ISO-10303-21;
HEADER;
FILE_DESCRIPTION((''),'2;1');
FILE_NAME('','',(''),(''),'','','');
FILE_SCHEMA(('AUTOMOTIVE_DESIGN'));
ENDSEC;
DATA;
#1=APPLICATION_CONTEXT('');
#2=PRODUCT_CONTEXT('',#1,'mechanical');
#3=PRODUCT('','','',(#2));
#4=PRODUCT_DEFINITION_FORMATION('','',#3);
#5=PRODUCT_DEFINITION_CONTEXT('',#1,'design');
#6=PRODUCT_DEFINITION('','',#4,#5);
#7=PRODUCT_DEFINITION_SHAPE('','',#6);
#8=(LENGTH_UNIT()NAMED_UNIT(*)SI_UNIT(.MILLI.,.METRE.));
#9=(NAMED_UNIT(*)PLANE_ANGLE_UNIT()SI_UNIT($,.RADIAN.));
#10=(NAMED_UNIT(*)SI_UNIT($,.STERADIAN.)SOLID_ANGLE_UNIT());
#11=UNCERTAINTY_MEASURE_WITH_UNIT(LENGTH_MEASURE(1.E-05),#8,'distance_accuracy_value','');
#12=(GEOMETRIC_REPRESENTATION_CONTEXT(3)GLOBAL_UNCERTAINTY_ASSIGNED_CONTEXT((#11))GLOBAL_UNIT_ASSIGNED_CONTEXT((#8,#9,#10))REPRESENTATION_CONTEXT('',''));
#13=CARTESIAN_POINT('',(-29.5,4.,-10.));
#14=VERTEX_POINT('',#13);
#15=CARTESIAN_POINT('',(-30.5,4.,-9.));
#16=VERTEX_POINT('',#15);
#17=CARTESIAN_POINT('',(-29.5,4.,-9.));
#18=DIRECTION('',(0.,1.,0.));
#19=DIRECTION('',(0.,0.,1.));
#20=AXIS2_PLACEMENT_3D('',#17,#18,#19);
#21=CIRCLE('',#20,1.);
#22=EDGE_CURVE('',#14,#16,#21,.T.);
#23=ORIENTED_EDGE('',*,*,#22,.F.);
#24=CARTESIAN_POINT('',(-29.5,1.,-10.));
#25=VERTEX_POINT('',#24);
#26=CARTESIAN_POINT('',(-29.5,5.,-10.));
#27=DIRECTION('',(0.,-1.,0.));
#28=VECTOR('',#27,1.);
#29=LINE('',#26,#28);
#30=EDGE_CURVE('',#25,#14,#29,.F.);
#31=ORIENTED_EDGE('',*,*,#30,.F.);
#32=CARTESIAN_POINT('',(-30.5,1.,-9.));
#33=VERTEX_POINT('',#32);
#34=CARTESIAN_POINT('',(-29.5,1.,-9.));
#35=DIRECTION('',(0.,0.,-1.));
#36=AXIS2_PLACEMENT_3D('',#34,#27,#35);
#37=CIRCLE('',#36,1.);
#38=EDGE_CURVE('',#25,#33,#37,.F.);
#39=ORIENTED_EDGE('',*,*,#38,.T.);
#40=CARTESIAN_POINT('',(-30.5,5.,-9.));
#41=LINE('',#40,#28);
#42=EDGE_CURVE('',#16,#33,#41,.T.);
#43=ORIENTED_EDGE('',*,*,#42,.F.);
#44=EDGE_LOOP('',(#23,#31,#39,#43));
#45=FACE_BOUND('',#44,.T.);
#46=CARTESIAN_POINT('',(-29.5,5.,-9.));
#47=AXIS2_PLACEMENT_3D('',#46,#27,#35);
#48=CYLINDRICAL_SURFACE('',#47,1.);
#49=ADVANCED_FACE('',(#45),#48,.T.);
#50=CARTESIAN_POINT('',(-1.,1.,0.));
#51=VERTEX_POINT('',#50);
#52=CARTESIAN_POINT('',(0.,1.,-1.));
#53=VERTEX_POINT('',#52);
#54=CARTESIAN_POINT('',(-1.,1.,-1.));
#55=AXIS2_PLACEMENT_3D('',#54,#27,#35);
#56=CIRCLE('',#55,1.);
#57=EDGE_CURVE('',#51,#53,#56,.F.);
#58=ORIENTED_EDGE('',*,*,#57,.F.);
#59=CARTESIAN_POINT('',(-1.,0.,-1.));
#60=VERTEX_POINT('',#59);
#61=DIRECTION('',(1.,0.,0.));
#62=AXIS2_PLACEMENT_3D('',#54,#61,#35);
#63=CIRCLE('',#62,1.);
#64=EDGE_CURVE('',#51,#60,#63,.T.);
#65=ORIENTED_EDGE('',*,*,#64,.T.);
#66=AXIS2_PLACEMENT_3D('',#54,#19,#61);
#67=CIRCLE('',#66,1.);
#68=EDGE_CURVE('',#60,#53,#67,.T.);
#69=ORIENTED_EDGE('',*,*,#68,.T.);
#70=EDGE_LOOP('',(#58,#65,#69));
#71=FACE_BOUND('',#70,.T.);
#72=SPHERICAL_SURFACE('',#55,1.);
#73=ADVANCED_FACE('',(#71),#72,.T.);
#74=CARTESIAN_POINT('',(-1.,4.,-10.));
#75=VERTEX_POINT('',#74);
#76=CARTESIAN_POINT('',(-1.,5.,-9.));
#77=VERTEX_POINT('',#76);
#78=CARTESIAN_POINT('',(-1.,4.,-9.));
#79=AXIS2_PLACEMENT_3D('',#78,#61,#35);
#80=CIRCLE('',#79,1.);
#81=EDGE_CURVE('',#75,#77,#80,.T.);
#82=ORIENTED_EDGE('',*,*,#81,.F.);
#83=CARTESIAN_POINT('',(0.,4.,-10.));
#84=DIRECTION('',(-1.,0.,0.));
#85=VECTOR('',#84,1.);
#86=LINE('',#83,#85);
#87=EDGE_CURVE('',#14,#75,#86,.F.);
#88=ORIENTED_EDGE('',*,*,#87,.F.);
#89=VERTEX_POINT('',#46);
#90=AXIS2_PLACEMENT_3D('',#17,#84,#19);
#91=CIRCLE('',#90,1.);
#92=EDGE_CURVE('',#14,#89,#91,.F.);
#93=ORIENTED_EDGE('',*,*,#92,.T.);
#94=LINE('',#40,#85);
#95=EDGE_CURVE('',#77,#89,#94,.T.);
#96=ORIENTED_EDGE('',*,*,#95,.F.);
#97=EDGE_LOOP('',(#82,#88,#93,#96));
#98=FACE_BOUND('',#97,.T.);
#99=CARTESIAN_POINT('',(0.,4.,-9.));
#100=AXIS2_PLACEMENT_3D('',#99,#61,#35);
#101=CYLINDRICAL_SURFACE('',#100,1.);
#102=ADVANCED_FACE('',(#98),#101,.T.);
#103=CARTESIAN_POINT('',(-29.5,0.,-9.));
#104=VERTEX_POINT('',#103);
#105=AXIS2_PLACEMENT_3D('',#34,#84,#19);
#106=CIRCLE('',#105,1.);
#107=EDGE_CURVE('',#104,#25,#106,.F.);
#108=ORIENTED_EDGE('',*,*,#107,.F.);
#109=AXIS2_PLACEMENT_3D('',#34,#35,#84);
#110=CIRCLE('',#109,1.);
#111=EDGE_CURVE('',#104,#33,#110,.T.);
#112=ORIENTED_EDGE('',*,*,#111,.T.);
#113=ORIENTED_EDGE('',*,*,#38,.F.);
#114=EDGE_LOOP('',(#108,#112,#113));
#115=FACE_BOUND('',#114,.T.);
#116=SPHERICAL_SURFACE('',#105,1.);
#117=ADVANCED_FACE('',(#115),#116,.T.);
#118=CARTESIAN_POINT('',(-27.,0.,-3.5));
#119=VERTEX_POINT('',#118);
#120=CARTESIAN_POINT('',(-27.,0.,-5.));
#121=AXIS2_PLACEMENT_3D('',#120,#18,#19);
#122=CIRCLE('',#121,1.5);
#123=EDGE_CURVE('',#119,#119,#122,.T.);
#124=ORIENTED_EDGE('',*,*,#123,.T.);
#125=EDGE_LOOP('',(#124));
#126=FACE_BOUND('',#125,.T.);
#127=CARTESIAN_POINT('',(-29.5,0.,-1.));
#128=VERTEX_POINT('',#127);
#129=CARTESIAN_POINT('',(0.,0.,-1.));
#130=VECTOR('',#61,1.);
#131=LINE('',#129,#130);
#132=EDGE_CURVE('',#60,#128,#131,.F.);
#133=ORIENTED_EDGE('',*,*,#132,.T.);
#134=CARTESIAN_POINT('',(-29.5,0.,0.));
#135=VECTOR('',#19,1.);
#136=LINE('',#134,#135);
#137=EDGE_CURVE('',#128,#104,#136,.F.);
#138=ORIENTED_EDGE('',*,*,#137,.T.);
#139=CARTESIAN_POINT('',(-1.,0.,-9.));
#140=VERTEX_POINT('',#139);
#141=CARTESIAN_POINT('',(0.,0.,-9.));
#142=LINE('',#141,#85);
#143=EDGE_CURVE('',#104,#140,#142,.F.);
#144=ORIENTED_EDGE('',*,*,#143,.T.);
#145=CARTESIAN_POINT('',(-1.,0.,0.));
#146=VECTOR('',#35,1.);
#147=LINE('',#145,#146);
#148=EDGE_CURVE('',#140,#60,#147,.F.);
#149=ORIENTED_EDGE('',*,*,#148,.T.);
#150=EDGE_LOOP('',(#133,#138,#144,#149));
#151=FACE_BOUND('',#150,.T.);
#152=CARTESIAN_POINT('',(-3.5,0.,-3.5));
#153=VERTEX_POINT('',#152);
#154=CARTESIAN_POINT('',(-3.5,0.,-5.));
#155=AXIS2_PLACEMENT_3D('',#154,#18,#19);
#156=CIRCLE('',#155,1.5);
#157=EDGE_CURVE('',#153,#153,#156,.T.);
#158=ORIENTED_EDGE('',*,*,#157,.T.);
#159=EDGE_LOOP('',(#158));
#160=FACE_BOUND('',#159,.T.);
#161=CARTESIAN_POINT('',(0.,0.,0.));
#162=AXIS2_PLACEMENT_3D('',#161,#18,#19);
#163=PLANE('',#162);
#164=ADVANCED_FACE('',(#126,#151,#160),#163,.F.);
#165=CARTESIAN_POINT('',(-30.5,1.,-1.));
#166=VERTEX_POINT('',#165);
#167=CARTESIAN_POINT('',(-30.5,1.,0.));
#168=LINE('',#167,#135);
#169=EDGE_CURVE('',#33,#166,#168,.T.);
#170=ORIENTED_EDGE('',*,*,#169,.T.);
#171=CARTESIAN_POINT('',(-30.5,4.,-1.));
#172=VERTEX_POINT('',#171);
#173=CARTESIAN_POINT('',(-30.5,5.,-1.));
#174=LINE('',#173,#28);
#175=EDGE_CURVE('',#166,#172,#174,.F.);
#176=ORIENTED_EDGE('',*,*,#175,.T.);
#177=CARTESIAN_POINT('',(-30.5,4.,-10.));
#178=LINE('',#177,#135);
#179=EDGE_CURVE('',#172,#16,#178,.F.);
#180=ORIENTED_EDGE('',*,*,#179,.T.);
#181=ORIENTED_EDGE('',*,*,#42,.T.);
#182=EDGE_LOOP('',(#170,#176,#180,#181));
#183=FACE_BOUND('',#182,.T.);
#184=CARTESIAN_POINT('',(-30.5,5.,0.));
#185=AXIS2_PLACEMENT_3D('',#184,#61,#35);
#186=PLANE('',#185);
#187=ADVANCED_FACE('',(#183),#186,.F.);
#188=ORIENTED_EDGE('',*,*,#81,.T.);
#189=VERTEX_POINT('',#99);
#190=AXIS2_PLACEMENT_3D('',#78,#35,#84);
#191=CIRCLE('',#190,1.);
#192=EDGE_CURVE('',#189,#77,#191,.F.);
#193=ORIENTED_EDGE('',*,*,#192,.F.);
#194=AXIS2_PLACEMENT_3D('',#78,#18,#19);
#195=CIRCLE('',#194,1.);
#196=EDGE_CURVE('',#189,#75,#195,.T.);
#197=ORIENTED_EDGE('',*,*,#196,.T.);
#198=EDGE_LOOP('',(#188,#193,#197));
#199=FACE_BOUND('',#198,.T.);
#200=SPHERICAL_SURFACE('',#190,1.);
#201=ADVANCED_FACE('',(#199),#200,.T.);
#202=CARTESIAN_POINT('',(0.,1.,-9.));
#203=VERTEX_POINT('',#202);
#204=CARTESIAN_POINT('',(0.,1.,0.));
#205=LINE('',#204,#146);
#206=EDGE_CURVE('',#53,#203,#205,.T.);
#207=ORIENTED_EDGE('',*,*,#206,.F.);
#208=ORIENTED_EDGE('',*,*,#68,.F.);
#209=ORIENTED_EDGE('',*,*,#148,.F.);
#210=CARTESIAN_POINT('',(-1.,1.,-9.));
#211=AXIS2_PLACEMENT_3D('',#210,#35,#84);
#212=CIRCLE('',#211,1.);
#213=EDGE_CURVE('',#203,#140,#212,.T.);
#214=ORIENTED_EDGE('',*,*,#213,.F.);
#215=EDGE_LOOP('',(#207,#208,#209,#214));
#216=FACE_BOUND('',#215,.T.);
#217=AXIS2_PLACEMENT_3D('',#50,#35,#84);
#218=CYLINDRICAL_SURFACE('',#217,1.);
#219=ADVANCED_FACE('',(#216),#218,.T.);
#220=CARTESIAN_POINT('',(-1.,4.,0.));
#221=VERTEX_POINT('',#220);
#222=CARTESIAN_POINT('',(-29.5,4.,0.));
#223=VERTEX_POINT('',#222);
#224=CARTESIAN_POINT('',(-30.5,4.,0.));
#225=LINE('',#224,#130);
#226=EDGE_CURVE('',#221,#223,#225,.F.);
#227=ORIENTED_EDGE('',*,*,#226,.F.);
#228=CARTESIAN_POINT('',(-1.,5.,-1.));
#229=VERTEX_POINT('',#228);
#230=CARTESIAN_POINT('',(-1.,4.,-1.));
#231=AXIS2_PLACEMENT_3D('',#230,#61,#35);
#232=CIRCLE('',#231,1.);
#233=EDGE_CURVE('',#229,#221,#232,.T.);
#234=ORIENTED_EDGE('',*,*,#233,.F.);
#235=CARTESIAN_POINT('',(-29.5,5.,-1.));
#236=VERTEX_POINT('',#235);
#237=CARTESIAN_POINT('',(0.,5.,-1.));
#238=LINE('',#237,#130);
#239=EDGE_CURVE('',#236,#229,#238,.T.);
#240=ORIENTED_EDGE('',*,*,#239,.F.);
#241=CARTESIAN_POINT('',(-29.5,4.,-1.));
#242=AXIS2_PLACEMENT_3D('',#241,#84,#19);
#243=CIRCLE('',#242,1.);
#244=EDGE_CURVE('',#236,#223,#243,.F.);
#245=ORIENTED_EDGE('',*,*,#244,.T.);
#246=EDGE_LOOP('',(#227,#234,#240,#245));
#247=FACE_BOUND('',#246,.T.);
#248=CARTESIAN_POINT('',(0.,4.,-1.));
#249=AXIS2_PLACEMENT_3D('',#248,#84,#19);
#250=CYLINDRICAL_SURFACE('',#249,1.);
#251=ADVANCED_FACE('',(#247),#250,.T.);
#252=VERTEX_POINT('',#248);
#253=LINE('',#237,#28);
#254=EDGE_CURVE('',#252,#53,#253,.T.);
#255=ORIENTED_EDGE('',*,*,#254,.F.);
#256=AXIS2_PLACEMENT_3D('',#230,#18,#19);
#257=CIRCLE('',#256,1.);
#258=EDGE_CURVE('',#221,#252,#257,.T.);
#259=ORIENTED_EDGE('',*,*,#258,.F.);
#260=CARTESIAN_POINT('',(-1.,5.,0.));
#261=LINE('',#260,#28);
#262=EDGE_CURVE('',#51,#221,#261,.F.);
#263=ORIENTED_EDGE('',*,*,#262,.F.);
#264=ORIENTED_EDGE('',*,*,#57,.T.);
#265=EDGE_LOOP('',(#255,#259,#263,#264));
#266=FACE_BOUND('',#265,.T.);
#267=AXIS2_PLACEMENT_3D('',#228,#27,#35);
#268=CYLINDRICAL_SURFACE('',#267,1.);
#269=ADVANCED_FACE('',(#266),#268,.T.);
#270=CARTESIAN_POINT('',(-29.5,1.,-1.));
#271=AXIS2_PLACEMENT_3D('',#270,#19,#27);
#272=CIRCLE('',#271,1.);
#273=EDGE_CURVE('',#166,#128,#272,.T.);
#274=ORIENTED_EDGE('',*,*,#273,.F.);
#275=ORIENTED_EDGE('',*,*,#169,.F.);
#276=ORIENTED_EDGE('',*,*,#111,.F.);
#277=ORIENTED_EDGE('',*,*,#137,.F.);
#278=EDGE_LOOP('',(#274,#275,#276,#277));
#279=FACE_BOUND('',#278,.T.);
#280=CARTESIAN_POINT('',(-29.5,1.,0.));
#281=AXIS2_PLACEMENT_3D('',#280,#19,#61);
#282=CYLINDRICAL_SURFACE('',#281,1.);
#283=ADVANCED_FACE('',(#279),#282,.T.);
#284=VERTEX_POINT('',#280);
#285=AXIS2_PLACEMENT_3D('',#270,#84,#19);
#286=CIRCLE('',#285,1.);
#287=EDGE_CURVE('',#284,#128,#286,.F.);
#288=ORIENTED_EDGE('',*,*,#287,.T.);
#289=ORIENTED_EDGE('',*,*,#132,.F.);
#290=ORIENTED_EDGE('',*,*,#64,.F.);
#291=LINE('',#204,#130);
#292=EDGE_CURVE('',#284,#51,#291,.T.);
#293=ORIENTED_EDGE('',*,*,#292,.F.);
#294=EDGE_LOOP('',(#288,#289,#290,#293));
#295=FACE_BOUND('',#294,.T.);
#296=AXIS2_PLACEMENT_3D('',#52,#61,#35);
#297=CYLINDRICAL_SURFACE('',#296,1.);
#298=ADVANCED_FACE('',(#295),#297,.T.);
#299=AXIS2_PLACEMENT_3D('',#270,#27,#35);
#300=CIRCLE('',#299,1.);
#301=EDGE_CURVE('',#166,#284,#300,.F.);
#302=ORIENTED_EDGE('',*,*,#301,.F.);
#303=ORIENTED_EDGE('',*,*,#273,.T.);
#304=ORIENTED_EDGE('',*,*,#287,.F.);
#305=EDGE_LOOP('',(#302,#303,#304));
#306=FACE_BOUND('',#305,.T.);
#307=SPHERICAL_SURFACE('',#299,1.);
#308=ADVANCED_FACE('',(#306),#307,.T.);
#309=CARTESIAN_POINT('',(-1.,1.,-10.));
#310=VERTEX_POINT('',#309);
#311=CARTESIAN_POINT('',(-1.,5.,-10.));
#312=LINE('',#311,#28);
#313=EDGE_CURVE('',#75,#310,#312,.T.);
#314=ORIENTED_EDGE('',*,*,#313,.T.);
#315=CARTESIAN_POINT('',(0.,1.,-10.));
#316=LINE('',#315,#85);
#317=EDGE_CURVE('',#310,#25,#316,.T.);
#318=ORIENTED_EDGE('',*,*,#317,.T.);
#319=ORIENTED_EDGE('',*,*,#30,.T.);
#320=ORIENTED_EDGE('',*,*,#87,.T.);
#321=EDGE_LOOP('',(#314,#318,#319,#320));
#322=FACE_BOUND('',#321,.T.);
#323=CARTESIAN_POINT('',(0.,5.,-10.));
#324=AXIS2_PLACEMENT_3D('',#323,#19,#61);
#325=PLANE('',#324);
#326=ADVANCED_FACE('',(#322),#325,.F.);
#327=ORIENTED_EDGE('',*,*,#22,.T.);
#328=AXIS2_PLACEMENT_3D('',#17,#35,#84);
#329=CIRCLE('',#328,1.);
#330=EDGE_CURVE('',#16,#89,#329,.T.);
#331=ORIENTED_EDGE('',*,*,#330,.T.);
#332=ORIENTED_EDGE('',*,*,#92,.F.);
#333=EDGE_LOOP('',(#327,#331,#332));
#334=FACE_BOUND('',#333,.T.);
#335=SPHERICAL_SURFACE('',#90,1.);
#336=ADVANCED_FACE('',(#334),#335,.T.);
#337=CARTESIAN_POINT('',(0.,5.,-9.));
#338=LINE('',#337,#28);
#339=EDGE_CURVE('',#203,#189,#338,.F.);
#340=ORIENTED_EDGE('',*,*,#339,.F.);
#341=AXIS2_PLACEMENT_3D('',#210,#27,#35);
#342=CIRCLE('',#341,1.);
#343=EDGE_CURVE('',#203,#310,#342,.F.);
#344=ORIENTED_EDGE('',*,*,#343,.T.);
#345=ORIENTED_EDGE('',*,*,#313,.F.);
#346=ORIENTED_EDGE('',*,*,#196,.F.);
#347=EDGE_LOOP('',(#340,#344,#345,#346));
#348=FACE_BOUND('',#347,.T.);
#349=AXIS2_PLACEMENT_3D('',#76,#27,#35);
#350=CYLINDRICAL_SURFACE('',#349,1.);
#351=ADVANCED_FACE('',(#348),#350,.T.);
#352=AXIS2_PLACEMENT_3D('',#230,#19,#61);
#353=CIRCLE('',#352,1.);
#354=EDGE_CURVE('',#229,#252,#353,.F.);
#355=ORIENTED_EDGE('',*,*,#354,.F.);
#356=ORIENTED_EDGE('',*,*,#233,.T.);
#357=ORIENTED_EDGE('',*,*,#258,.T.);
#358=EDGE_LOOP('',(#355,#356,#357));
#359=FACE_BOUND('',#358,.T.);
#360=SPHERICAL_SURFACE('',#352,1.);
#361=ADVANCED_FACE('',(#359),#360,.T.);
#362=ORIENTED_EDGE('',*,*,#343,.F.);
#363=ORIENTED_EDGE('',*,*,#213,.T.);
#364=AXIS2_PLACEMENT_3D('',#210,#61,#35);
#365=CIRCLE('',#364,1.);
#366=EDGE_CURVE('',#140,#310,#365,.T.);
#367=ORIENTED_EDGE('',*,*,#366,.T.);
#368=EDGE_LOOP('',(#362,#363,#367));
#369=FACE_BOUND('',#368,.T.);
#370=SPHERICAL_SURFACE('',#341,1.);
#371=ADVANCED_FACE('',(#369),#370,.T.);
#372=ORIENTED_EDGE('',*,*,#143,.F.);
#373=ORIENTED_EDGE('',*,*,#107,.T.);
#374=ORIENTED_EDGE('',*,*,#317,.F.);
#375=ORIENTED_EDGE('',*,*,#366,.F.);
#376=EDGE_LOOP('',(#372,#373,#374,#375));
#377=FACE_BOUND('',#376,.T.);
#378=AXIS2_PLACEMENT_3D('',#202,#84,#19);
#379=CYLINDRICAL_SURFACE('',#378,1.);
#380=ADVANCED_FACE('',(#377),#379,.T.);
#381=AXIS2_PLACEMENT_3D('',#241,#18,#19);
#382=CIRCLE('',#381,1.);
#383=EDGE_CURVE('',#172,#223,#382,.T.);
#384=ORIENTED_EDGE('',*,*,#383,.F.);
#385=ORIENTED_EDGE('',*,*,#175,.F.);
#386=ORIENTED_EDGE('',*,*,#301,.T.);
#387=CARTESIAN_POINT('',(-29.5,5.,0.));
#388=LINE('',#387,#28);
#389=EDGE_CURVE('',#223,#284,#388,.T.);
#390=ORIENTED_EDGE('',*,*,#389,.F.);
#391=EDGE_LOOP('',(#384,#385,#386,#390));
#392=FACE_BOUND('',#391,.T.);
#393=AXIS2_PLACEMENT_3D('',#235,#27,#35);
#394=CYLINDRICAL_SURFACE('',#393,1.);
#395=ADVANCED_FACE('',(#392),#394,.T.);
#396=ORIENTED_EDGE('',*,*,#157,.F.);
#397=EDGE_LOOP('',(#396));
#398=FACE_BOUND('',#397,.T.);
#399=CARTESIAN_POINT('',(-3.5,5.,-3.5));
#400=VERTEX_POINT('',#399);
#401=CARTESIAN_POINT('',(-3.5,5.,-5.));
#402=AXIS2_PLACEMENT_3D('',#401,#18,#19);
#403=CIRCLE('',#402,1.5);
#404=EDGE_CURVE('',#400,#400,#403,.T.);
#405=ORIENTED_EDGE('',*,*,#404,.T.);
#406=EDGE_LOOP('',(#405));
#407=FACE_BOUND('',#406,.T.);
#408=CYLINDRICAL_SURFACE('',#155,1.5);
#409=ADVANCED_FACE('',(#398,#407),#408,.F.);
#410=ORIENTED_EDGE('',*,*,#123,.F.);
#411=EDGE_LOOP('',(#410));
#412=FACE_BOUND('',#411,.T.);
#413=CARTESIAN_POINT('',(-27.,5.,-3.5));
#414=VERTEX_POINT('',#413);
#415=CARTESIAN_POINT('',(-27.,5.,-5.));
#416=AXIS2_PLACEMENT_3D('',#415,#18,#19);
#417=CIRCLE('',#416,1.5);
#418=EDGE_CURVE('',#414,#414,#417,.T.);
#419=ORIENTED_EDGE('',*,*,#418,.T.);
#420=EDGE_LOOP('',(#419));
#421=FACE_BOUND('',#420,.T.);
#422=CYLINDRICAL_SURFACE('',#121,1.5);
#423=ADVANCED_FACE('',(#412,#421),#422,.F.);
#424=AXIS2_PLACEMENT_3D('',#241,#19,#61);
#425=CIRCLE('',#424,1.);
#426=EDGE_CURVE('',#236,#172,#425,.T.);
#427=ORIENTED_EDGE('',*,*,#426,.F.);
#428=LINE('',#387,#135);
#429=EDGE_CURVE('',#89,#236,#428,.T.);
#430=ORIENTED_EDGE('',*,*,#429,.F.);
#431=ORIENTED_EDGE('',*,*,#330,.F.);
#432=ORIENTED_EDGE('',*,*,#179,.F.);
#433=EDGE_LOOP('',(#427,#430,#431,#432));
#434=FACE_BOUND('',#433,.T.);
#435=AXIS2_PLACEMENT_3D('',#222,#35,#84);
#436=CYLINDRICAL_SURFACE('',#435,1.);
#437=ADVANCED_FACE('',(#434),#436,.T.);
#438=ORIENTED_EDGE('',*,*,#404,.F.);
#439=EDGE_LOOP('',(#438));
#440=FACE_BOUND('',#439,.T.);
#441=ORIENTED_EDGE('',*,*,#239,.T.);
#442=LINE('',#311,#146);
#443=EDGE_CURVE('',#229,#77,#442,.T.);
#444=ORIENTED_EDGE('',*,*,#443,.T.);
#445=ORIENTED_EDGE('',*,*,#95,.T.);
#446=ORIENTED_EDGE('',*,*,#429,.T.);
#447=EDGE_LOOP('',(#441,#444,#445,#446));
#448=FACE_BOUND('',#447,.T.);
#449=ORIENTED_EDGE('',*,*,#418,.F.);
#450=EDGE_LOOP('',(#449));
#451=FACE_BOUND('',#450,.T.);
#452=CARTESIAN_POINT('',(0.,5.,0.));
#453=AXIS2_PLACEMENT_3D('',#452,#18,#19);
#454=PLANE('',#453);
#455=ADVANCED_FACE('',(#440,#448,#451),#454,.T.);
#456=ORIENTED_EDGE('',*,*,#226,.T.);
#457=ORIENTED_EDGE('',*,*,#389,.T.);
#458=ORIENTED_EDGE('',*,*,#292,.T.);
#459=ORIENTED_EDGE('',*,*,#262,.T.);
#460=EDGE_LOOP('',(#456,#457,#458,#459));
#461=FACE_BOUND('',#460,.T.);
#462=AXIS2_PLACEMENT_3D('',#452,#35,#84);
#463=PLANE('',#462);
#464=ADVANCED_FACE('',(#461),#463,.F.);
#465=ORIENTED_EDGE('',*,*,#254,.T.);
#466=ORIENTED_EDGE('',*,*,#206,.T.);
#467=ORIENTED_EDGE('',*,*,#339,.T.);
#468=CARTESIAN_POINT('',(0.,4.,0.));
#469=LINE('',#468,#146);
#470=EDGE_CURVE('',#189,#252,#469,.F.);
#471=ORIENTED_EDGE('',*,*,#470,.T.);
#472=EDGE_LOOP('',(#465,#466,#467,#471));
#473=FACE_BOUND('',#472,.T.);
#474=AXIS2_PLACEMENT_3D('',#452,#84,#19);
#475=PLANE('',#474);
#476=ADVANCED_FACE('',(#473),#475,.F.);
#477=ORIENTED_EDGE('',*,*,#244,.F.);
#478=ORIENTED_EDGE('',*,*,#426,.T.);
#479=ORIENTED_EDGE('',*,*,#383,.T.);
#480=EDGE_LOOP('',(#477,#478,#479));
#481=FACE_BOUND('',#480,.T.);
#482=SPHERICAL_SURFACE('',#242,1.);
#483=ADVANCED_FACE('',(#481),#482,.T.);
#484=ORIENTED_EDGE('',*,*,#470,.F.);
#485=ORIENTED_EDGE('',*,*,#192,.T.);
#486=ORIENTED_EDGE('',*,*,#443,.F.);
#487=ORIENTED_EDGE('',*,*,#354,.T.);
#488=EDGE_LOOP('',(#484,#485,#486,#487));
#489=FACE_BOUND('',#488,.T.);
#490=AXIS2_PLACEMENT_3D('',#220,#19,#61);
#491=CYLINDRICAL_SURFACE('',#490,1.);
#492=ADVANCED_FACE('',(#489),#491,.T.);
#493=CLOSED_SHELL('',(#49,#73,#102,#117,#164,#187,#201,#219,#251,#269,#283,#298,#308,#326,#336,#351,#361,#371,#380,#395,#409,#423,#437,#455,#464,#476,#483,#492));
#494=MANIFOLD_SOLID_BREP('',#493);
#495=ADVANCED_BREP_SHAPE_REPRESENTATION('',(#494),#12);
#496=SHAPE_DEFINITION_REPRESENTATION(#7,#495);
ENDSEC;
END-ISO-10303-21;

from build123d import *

# Parameters (mm, degrees)
SKETCH1_W               = 30.5
SKETCH1_H               = 10
BOSS_EXTRUDE1_DEPTH     = 5
CUT_EXTRUDE1_DEPTH      = 33.484611742
CUT_EXTRUDE1_DEPTH_BACK = 33.484611742
SKETCH2_R               = 1.5
FILLET1_R               = 1


with BuildPart() as part:
    # Sketch1 → Boss-Extrude1 (new body)
    with BuildSketch(Plane(origin=(0, 0, 0), x_dir=(1, 0, 0), z_dir=(0, 1, 0))):
        with Locations((-15.25, 5)):
            Rectangle(SKETCH1_W, SKETCH1_H)
    extrude(amount=BOSS_EXTRUDE1_DEPTH)

    # Sketch2 → Cut-Extrude1 (cut, two sides: drawn at the far end of the back side and taken through both)
    with BuildSketch(Plane(origin=(0, 5, 0), x_dir=(1, 0, 0), z_dir=(0, 1, 0)).offset(-CUT_EXTRUDE1_DEPTH_BACK)):
        with Locations(Location((-27, 5, 0), (0, 0, 270))):
            Circle(SKETCH2_R)
        with Locations(Location((-3.5, 5, 0), (0, 0, 270))):
            Circle(SKETCH2_R)
    extrude(amount=CUT_EXTRUDE1_DEPTH + CUT_EXTRUDE1_DEPTH_BACK, mode=Mode.SUBTRACT)

    # Fillet1
    fillet1_edges = [part.edges().sort_by_distance(p)[0] for p in [
        (-30.5, 5, -5),
        (-15.25, 5, 0),
        (0, 5, -5),
        (-15.25, 0, 0),
        (-30.5, 0, -5),
        (-15.25, 0, -10),
        (0, 0, -5),
        (0, 2.5, 0),
        (-30.5, 2.5, 0),
        (-30.5, 2.5, -10),
        (0, 2.5, -10),
        (-15.25, 5, -10),
    ]]
    fillet(fillet1_edges, radius=FILLET1_R)


solid = part.part
